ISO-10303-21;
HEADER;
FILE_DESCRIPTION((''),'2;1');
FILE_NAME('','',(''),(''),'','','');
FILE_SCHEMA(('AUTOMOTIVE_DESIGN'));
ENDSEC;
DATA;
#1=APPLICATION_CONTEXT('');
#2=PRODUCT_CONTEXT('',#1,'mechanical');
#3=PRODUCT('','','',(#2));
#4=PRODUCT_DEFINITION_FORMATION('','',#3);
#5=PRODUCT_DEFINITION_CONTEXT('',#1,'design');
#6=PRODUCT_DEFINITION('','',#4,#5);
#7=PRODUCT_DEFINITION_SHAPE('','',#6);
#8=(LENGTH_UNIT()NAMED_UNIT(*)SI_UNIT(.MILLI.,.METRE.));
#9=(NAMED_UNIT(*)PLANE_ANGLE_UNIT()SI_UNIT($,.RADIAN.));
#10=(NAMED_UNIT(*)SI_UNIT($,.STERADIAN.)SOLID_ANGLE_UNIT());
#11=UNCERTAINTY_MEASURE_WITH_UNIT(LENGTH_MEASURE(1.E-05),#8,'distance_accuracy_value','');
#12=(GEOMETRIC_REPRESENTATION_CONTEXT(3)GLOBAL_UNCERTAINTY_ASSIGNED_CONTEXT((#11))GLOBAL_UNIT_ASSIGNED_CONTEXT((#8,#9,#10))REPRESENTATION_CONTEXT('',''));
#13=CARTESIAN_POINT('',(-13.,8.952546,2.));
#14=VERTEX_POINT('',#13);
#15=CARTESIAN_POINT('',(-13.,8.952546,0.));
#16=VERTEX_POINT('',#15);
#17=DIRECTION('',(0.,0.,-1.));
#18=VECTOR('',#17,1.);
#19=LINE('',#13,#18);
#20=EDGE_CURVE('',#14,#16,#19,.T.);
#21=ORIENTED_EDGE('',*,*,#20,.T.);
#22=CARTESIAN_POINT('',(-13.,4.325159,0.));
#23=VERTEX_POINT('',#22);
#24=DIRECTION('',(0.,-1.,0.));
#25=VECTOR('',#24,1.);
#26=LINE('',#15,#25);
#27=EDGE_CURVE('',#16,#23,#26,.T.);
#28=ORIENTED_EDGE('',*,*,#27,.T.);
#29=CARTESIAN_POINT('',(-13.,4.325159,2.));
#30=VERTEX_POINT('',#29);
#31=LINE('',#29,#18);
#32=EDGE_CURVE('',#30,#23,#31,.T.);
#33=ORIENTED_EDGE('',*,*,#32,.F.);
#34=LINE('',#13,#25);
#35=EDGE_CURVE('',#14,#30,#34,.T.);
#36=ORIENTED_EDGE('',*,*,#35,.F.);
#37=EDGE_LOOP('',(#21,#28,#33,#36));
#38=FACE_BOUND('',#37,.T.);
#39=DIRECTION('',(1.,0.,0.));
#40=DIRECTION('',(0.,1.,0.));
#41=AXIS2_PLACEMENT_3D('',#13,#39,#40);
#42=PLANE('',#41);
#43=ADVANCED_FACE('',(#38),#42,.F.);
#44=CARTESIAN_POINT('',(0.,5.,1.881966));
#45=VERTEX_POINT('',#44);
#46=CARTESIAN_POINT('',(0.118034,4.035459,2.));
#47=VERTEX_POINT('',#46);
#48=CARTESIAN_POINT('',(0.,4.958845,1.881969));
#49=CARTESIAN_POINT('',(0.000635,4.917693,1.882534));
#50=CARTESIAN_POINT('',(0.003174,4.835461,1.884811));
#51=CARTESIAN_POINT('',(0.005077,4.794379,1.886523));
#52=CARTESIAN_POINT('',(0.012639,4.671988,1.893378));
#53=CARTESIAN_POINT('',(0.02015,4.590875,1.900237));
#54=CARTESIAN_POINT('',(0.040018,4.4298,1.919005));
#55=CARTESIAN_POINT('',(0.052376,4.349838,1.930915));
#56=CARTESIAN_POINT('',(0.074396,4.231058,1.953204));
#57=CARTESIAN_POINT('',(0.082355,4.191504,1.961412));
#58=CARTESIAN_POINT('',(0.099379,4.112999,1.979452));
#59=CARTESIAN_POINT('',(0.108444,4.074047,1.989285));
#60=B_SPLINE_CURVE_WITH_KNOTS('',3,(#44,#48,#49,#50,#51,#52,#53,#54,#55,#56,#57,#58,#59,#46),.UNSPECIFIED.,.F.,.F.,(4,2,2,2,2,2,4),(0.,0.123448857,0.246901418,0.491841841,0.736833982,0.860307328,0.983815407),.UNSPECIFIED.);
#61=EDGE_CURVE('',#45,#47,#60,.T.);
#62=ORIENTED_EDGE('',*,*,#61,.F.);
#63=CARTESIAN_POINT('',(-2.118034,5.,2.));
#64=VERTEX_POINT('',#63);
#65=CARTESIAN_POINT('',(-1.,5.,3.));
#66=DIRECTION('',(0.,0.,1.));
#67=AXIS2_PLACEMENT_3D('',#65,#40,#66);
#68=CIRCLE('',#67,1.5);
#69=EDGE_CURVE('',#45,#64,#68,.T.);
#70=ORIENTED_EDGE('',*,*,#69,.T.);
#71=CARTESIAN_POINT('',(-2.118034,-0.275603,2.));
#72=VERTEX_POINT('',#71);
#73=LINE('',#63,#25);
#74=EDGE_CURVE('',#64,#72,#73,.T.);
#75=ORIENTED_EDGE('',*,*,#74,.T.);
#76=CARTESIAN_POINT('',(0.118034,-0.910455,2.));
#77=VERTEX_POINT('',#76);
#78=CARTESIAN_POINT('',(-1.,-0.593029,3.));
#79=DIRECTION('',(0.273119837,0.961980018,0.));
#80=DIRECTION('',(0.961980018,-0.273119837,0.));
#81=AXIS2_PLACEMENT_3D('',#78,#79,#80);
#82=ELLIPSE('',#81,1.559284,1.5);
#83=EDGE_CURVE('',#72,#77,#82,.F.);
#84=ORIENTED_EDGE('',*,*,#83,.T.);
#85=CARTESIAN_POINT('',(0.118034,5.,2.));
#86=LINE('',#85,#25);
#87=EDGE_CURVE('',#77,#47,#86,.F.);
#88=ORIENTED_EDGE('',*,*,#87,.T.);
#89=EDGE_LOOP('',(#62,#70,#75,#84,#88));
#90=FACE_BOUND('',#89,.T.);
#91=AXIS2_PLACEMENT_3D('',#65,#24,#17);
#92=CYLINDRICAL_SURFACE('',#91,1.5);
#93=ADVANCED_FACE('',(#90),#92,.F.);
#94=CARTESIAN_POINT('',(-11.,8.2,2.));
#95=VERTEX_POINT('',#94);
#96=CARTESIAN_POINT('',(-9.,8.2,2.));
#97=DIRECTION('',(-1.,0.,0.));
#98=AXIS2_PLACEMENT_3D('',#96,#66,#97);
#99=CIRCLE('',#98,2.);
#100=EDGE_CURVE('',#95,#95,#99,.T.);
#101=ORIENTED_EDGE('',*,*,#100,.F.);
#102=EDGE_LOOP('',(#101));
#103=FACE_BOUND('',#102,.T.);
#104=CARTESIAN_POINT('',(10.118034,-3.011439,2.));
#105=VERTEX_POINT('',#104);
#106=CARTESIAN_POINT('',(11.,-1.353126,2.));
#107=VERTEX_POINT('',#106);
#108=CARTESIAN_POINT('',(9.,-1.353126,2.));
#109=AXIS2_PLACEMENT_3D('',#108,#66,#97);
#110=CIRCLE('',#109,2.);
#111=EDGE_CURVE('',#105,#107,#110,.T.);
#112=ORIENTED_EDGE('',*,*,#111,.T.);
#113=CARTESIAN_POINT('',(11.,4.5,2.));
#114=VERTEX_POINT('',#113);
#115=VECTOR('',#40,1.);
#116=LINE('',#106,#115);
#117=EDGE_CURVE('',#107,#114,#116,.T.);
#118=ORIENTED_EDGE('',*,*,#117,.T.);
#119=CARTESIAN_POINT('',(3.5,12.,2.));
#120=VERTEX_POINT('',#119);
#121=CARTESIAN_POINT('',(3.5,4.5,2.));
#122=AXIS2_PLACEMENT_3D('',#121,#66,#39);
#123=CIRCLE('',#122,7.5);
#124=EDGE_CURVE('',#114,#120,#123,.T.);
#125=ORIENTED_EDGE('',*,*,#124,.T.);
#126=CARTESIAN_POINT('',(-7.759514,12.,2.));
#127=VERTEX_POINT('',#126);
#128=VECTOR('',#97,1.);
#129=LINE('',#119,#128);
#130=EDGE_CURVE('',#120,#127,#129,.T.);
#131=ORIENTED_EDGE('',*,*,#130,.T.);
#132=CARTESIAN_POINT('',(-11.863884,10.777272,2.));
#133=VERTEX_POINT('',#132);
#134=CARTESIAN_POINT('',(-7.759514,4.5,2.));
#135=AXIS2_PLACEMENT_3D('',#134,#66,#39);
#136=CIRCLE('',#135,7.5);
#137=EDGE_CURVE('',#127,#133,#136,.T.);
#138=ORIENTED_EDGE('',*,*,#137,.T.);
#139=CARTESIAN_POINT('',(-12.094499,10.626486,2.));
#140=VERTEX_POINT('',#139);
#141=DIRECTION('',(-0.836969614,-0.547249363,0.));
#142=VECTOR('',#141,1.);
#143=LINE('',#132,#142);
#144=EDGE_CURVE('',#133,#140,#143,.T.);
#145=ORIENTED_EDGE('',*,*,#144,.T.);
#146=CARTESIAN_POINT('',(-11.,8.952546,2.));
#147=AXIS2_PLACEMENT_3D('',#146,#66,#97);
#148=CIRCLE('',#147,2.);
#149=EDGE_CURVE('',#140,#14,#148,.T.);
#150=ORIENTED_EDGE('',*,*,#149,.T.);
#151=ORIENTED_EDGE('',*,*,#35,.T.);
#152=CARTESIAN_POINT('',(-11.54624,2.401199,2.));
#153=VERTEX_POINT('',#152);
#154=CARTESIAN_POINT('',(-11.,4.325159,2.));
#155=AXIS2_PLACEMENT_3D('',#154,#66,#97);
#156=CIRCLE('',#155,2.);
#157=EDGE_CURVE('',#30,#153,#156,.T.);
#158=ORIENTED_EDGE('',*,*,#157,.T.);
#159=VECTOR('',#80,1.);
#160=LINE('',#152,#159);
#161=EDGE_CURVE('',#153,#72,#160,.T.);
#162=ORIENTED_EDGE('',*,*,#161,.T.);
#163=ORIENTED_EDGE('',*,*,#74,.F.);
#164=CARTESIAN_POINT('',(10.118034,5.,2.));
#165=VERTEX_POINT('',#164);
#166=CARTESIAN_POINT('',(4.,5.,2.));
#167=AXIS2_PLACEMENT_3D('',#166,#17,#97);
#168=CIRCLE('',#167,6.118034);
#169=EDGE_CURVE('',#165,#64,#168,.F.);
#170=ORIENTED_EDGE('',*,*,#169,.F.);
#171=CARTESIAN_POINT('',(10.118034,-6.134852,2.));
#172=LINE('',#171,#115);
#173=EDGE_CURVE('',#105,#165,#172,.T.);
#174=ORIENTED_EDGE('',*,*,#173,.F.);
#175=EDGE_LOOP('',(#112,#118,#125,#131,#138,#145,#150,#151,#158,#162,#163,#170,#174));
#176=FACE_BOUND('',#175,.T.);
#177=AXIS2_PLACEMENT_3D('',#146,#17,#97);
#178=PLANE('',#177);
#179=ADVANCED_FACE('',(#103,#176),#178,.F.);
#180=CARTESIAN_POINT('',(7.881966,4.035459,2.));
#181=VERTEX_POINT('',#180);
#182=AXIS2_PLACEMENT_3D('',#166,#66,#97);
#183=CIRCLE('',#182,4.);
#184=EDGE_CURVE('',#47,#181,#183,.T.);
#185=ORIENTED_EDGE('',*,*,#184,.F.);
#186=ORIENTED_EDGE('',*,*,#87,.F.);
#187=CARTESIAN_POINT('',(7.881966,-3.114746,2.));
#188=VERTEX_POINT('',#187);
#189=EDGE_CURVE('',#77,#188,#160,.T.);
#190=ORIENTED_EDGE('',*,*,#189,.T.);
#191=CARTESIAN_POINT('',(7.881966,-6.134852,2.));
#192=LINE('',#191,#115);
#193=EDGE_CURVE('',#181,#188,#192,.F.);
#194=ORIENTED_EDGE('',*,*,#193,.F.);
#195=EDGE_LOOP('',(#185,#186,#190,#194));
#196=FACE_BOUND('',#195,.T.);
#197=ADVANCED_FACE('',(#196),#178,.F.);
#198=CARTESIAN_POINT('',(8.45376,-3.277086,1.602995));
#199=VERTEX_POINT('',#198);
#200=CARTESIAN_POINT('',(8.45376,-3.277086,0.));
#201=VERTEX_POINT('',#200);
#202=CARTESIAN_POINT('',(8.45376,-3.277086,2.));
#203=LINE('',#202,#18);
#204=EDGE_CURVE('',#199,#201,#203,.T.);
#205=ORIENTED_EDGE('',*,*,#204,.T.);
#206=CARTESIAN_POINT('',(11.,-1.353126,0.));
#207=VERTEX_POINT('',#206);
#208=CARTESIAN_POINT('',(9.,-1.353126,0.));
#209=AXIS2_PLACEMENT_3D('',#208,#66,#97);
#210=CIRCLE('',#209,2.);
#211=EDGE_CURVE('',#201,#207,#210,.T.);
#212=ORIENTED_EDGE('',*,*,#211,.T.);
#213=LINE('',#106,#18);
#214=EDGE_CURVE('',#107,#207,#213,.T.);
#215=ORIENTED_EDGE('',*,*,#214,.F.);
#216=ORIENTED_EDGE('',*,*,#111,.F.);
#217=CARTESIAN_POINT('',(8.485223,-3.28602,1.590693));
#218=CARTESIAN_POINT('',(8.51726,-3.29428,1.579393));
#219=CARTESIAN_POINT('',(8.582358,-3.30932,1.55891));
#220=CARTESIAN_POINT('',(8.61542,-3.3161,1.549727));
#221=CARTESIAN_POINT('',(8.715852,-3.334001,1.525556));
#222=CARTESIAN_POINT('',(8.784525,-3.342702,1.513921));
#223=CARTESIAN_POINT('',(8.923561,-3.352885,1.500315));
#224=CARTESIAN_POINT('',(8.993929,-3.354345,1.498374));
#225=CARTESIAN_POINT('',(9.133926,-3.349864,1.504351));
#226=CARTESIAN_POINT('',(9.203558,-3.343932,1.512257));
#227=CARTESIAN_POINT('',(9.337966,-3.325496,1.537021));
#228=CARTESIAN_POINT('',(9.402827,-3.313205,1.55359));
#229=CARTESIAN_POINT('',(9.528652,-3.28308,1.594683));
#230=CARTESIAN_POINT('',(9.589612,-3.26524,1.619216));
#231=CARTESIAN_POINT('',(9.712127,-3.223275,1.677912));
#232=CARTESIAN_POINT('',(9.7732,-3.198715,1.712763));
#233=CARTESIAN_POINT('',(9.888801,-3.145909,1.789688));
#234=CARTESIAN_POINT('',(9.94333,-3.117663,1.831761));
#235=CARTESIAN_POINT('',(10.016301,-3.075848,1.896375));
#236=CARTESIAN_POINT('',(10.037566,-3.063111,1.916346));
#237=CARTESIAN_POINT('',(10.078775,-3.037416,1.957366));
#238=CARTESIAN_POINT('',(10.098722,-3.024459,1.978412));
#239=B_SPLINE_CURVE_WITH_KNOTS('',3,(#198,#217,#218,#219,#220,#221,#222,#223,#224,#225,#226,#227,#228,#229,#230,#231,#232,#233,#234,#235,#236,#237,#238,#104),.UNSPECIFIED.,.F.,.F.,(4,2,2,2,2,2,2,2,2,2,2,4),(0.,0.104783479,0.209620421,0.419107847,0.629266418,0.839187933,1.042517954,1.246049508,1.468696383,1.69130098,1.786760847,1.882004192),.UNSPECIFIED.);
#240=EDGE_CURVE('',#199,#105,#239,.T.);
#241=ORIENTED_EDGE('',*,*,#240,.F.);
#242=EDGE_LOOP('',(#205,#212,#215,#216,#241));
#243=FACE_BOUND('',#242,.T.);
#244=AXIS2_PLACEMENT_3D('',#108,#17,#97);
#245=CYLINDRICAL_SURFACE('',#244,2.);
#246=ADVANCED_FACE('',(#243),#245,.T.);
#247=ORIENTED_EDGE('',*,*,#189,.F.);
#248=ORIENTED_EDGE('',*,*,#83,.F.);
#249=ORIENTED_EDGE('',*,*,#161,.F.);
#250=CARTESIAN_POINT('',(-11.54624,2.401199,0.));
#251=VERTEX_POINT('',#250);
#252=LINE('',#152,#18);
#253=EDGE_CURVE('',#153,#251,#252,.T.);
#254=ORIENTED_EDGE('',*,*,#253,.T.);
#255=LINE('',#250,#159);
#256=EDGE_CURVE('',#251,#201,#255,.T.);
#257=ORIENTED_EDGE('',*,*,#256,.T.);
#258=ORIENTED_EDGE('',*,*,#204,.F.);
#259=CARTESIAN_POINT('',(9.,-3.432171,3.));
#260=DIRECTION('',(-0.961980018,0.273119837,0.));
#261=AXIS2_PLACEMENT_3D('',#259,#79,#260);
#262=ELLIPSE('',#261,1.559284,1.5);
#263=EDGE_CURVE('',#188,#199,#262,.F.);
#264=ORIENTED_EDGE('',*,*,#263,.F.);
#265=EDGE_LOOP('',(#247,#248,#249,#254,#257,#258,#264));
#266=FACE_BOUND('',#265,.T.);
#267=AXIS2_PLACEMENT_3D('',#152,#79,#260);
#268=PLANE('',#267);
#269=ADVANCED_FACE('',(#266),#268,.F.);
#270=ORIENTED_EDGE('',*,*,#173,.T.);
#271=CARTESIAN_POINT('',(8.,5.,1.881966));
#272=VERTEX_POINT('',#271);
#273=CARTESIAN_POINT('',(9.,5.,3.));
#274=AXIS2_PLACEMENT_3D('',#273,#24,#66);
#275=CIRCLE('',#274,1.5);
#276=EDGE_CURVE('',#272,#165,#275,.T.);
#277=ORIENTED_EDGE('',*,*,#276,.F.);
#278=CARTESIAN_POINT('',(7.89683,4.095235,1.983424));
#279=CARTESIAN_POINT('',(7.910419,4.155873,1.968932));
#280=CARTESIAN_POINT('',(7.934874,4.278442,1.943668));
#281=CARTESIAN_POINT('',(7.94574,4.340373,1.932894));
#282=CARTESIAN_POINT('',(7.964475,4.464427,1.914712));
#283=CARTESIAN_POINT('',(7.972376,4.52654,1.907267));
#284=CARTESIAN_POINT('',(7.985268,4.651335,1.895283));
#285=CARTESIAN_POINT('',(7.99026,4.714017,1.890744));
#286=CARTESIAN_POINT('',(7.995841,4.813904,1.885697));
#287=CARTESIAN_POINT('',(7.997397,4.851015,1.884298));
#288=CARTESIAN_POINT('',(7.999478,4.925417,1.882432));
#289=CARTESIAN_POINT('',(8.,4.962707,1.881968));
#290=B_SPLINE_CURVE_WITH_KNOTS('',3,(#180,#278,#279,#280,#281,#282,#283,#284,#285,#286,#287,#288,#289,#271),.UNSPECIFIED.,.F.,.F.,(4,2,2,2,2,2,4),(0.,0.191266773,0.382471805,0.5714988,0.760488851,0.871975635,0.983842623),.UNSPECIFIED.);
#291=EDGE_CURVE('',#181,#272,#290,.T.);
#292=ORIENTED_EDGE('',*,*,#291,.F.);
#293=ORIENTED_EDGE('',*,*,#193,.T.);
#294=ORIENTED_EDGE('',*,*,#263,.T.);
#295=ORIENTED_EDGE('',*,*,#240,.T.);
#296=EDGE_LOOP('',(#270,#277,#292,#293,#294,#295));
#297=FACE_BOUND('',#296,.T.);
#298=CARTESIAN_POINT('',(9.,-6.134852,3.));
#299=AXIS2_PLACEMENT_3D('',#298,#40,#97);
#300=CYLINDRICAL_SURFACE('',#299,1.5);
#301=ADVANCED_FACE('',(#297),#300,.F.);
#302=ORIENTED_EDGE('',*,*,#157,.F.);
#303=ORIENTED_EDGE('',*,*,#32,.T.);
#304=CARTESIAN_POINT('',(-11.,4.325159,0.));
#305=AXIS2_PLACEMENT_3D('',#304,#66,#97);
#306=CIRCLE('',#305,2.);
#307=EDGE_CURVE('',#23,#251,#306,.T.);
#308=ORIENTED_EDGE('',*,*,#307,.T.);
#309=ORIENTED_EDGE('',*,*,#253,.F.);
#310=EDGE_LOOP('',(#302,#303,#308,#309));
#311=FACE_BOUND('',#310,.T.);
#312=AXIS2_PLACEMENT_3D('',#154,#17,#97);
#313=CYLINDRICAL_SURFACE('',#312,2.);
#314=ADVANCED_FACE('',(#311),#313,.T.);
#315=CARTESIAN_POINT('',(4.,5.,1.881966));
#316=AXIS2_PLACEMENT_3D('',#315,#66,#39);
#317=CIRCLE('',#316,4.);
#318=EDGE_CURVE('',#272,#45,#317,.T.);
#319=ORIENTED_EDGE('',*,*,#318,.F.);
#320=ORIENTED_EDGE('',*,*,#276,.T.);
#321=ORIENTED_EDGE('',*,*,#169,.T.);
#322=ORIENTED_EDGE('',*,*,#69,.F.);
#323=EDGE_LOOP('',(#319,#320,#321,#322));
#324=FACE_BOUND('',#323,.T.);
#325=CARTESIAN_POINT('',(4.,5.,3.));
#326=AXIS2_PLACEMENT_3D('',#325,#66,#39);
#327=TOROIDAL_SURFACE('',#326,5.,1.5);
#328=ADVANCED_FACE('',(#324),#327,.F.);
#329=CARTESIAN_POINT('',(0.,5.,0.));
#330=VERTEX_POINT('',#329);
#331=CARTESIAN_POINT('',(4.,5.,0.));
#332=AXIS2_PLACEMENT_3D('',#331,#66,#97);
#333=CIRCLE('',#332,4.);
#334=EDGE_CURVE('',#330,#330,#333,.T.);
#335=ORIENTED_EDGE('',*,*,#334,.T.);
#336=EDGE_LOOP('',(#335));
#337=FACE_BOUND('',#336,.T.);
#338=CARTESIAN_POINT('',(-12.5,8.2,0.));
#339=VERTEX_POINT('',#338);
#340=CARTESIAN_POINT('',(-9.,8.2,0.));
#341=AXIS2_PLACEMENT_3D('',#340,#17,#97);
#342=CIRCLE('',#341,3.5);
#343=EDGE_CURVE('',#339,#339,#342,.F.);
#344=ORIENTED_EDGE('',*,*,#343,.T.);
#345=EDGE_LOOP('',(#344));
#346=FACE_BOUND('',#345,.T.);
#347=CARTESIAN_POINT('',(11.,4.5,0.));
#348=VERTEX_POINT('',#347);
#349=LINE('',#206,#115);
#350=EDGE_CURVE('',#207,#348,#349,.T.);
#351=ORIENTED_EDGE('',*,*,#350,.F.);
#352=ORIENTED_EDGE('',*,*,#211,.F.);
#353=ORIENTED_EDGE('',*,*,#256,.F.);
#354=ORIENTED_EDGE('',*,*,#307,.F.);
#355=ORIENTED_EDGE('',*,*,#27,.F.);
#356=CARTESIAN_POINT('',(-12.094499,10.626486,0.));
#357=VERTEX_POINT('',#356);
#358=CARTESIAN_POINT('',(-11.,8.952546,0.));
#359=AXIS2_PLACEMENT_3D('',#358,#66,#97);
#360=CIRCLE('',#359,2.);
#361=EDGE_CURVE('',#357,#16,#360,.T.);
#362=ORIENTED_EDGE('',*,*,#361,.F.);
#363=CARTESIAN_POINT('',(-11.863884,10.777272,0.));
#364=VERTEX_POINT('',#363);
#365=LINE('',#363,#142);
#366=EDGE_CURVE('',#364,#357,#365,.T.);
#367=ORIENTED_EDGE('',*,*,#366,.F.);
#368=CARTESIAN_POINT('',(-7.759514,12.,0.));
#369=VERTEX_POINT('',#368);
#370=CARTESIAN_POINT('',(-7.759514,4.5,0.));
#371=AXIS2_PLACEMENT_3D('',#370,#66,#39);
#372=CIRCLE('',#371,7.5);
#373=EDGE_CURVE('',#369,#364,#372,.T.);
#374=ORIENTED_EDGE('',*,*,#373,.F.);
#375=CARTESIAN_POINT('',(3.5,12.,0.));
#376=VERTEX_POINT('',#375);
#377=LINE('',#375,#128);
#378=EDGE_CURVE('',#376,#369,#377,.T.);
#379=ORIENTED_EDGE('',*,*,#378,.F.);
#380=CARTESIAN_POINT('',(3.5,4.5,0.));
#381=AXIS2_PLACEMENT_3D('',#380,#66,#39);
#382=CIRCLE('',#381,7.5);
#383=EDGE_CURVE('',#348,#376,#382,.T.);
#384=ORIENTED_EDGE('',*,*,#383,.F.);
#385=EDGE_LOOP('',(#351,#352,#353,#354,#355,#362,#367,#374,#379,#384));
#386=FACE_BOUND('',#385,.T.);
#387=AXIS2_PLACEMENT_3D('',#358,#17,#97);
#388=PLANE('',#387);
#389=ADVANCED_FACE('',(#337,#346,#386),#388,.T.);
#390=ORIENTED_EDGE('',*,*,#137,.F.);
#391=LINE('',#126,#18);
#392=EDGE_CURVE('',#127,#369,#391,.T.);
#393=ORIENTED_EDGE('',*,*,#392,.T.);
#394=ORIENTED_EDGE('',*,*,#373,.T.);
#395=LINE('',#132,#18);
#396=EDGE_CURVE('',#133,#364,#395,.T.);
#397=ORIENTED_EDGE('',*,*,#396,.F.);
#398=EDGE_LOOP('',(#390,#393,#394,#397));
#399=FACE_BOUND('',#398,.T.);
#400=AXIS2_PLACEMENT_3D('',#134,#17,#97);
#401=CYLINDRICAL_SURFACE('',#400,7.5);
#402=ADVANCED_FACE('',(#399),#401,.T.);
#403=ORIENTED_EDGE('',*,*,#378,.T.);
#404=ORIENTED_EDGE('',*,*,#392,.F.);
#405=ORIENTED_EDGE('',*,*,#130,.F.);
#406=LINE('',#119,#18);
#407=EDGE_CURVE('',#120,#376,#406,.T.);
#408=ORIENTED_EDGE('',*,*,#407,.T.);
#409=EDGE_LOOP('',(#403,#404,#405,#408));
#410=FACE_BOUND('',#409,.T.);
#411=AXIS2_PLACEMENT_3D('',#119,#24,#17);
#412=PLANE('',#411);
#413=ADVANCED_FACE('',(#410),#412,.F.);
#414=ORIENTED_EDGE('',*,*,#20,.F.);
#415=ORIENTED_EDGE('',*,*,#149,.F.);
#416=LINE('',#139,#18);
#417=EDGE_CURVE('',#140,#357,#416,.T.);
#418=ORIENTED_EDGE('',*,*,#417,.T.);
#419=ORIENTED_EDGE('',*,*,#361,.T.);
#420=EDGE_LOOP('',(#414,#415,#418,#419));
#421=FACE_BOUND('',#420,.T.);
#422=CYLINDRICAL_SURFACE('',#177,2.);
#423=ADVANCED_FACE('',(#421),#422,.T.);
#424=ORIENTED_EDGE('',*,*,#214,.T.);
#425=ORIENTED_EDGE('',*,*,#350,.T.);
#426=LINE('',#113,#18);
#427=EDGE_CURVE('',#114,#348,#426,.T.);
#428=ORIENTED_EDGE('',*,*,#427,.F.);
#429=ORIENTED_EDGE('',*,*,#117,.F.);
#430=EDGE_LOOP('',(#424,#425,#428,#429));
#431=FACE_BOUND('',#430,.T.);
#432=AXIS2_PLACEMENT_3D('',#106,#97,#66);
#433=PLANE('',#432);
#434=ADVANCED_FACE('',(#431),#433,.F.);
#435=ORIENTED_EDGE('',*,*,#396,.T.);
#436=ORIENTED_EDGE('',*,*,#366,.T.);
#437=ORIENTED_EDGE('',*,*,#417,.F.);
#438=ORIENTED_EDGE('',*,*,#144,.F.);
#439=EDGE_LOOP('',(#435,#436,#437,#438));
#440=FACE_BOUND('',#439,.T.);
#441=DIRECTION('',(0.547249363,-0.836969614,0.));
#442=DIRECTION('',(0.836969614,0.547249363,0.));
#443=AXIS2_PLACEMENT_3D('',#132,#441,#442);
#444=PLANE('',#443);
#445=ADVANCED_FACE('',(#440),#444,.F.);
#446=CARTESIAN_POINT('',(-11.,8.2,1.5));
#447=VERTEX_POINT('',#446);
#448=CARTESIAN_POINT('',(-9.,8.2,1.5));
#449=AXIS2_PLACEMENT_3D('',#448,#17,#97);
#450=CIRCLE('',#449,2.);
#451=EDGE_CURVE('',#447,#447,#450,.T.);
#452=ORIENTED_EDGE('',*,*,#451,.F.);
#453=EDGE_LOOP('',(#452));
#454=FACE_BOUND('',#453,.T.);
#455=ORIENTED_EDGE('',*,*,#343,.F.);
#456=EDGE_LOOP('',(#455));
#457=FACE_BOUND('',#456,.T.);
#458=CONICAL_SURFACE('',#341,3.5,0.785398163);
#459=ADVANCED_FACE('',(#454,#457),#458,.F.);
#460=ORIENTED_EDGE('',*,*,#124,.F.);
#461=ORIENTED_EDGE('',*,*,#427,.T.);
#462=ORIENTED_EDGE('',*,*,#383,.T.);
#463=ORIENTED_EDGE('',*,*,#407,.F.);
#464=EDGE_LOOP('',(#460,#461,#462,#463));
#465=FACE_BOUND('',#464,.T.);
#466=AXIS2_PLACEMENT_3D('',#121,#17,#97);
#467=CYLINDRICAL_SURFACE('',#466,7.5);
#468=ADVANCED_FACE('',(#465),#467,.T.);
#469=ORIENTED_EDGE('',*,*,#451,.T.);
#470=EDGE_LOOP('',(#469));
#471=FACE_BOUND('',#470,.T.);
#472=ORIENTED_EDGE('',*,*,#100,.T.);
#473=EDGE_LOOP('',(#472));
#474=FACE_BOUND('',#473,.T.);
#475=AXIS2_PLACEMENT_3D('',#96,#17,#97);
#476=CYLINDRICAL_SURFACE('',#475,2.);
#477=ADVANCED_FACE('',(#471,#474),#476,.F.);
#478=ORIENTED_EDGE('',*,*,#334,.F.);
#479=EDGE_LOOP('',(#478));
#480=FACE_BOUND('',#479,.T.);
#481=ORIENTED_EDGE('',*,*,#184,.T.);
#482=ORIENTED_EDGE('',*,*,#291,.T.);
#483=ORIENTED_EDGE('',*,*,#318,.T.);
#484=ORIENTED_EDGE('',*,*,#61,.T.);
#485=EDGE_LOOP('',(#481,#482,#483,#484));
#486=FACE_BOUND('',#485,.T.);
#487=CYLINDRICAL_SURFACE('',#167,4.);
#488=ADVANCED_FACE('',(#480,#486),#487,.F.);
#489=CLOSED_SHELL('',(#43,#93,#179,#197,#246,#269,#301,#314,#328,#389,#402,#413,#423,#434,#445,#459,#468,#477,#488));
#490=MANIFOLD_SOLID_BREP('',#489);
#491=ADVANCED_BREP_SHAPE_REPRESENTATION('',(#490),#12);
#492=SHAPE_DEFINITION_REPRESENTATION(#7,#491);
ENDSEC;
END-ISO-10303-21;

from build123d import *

# Parameters (mm, degrees)
SKETCH1_R            = 4
SKETCH1_R_2          = 2
BOSS_EXTRUDE1_DEPTH  = 2
CUT_SWEEP2_PROFILE_R = 1.5
CHAMFER1_SIZE        = 1.5


with BuildPart() as part:
    # Sketch1 → Boss-Extrude1 (new body)
    with BuildSketch(Plane.XY):
        with BuildLine():
            Line((-13, 8.952546351), (-13, 4.3251588))
            ThreePointArc((-13, 4.3251588), (-12.595694104, 3.119438963), (-11.546239674, 2.401198764))
            Line((-11.546239674, 2.401198764), (8.453760326, -3.277086269))
            ThreePointArc((8.453760326, -3.277086269), (10.205719837, -2.948820337), (11, -1.353126233))
            Line((11, -1.353126233), (11, 4.5))
            ThreePointArc((11, 4.5), (8.803300859, 9.803300859), (3.5, 12))
            Line((3.5, 12), (-7.759513818, 12))
            ThreePointArc((-7.759513818, 12), (-9.900828742, 11.687820977), (-11.86388404, 10.777272105))
            Line((-11.86388404, 10.777272105), (-12.094498726, 10.626485579))
            ThreePointArc((-12.094498726, 10.626485579), (-12.759118736, 9.904124658), (-13, 8.952546351))
        make_face()
        with Locations((4, 5)):
            Circle(SKETCH1_R, mode=Mode.SUBTRACT)
        with Locations((-9, 8.2)):
            Circle(SKETCH1_R_2, mode=Mode.SUBTRACT)
    extrude(amount=BOSS_EXTRUDE1_DEPTH)

    # Cut-Sweep2: sweep along a path in Sketch19
    with BuildLine(Plane.XY.offset(3)) as cut_sweep2_path:
        Line((-1, -3.013992868), (-1, 5))
        ThreePointArc((-1, 5), (4, 10), (9, 5))
        Line((9, 5), (9, -6.134852042))
    # Cut-Sweep2 profile (on start of the path) → Cut-Sweep2 (sweep, cut)
    with BuildSketch(Plane(origin=(-1, -3.013992868, 3), x_dir=(0, 0, 1), z_dir=(0, 1, 0))):
        Circle(CUT_SWEEP2_PROFILE_R)
    sweep(path=cut_sweep2_path.line, mode=Mode.SUBTRACT)

    # Chamfer1
    chamfer1_edges = [part.edges().sort_by_distance(p)[0] for p in [
        (-11, 8.2, 0),
    ]]
    chamfer(chamfer1_edges, length=CHAMFER1_SIZE)


solid = part.part
